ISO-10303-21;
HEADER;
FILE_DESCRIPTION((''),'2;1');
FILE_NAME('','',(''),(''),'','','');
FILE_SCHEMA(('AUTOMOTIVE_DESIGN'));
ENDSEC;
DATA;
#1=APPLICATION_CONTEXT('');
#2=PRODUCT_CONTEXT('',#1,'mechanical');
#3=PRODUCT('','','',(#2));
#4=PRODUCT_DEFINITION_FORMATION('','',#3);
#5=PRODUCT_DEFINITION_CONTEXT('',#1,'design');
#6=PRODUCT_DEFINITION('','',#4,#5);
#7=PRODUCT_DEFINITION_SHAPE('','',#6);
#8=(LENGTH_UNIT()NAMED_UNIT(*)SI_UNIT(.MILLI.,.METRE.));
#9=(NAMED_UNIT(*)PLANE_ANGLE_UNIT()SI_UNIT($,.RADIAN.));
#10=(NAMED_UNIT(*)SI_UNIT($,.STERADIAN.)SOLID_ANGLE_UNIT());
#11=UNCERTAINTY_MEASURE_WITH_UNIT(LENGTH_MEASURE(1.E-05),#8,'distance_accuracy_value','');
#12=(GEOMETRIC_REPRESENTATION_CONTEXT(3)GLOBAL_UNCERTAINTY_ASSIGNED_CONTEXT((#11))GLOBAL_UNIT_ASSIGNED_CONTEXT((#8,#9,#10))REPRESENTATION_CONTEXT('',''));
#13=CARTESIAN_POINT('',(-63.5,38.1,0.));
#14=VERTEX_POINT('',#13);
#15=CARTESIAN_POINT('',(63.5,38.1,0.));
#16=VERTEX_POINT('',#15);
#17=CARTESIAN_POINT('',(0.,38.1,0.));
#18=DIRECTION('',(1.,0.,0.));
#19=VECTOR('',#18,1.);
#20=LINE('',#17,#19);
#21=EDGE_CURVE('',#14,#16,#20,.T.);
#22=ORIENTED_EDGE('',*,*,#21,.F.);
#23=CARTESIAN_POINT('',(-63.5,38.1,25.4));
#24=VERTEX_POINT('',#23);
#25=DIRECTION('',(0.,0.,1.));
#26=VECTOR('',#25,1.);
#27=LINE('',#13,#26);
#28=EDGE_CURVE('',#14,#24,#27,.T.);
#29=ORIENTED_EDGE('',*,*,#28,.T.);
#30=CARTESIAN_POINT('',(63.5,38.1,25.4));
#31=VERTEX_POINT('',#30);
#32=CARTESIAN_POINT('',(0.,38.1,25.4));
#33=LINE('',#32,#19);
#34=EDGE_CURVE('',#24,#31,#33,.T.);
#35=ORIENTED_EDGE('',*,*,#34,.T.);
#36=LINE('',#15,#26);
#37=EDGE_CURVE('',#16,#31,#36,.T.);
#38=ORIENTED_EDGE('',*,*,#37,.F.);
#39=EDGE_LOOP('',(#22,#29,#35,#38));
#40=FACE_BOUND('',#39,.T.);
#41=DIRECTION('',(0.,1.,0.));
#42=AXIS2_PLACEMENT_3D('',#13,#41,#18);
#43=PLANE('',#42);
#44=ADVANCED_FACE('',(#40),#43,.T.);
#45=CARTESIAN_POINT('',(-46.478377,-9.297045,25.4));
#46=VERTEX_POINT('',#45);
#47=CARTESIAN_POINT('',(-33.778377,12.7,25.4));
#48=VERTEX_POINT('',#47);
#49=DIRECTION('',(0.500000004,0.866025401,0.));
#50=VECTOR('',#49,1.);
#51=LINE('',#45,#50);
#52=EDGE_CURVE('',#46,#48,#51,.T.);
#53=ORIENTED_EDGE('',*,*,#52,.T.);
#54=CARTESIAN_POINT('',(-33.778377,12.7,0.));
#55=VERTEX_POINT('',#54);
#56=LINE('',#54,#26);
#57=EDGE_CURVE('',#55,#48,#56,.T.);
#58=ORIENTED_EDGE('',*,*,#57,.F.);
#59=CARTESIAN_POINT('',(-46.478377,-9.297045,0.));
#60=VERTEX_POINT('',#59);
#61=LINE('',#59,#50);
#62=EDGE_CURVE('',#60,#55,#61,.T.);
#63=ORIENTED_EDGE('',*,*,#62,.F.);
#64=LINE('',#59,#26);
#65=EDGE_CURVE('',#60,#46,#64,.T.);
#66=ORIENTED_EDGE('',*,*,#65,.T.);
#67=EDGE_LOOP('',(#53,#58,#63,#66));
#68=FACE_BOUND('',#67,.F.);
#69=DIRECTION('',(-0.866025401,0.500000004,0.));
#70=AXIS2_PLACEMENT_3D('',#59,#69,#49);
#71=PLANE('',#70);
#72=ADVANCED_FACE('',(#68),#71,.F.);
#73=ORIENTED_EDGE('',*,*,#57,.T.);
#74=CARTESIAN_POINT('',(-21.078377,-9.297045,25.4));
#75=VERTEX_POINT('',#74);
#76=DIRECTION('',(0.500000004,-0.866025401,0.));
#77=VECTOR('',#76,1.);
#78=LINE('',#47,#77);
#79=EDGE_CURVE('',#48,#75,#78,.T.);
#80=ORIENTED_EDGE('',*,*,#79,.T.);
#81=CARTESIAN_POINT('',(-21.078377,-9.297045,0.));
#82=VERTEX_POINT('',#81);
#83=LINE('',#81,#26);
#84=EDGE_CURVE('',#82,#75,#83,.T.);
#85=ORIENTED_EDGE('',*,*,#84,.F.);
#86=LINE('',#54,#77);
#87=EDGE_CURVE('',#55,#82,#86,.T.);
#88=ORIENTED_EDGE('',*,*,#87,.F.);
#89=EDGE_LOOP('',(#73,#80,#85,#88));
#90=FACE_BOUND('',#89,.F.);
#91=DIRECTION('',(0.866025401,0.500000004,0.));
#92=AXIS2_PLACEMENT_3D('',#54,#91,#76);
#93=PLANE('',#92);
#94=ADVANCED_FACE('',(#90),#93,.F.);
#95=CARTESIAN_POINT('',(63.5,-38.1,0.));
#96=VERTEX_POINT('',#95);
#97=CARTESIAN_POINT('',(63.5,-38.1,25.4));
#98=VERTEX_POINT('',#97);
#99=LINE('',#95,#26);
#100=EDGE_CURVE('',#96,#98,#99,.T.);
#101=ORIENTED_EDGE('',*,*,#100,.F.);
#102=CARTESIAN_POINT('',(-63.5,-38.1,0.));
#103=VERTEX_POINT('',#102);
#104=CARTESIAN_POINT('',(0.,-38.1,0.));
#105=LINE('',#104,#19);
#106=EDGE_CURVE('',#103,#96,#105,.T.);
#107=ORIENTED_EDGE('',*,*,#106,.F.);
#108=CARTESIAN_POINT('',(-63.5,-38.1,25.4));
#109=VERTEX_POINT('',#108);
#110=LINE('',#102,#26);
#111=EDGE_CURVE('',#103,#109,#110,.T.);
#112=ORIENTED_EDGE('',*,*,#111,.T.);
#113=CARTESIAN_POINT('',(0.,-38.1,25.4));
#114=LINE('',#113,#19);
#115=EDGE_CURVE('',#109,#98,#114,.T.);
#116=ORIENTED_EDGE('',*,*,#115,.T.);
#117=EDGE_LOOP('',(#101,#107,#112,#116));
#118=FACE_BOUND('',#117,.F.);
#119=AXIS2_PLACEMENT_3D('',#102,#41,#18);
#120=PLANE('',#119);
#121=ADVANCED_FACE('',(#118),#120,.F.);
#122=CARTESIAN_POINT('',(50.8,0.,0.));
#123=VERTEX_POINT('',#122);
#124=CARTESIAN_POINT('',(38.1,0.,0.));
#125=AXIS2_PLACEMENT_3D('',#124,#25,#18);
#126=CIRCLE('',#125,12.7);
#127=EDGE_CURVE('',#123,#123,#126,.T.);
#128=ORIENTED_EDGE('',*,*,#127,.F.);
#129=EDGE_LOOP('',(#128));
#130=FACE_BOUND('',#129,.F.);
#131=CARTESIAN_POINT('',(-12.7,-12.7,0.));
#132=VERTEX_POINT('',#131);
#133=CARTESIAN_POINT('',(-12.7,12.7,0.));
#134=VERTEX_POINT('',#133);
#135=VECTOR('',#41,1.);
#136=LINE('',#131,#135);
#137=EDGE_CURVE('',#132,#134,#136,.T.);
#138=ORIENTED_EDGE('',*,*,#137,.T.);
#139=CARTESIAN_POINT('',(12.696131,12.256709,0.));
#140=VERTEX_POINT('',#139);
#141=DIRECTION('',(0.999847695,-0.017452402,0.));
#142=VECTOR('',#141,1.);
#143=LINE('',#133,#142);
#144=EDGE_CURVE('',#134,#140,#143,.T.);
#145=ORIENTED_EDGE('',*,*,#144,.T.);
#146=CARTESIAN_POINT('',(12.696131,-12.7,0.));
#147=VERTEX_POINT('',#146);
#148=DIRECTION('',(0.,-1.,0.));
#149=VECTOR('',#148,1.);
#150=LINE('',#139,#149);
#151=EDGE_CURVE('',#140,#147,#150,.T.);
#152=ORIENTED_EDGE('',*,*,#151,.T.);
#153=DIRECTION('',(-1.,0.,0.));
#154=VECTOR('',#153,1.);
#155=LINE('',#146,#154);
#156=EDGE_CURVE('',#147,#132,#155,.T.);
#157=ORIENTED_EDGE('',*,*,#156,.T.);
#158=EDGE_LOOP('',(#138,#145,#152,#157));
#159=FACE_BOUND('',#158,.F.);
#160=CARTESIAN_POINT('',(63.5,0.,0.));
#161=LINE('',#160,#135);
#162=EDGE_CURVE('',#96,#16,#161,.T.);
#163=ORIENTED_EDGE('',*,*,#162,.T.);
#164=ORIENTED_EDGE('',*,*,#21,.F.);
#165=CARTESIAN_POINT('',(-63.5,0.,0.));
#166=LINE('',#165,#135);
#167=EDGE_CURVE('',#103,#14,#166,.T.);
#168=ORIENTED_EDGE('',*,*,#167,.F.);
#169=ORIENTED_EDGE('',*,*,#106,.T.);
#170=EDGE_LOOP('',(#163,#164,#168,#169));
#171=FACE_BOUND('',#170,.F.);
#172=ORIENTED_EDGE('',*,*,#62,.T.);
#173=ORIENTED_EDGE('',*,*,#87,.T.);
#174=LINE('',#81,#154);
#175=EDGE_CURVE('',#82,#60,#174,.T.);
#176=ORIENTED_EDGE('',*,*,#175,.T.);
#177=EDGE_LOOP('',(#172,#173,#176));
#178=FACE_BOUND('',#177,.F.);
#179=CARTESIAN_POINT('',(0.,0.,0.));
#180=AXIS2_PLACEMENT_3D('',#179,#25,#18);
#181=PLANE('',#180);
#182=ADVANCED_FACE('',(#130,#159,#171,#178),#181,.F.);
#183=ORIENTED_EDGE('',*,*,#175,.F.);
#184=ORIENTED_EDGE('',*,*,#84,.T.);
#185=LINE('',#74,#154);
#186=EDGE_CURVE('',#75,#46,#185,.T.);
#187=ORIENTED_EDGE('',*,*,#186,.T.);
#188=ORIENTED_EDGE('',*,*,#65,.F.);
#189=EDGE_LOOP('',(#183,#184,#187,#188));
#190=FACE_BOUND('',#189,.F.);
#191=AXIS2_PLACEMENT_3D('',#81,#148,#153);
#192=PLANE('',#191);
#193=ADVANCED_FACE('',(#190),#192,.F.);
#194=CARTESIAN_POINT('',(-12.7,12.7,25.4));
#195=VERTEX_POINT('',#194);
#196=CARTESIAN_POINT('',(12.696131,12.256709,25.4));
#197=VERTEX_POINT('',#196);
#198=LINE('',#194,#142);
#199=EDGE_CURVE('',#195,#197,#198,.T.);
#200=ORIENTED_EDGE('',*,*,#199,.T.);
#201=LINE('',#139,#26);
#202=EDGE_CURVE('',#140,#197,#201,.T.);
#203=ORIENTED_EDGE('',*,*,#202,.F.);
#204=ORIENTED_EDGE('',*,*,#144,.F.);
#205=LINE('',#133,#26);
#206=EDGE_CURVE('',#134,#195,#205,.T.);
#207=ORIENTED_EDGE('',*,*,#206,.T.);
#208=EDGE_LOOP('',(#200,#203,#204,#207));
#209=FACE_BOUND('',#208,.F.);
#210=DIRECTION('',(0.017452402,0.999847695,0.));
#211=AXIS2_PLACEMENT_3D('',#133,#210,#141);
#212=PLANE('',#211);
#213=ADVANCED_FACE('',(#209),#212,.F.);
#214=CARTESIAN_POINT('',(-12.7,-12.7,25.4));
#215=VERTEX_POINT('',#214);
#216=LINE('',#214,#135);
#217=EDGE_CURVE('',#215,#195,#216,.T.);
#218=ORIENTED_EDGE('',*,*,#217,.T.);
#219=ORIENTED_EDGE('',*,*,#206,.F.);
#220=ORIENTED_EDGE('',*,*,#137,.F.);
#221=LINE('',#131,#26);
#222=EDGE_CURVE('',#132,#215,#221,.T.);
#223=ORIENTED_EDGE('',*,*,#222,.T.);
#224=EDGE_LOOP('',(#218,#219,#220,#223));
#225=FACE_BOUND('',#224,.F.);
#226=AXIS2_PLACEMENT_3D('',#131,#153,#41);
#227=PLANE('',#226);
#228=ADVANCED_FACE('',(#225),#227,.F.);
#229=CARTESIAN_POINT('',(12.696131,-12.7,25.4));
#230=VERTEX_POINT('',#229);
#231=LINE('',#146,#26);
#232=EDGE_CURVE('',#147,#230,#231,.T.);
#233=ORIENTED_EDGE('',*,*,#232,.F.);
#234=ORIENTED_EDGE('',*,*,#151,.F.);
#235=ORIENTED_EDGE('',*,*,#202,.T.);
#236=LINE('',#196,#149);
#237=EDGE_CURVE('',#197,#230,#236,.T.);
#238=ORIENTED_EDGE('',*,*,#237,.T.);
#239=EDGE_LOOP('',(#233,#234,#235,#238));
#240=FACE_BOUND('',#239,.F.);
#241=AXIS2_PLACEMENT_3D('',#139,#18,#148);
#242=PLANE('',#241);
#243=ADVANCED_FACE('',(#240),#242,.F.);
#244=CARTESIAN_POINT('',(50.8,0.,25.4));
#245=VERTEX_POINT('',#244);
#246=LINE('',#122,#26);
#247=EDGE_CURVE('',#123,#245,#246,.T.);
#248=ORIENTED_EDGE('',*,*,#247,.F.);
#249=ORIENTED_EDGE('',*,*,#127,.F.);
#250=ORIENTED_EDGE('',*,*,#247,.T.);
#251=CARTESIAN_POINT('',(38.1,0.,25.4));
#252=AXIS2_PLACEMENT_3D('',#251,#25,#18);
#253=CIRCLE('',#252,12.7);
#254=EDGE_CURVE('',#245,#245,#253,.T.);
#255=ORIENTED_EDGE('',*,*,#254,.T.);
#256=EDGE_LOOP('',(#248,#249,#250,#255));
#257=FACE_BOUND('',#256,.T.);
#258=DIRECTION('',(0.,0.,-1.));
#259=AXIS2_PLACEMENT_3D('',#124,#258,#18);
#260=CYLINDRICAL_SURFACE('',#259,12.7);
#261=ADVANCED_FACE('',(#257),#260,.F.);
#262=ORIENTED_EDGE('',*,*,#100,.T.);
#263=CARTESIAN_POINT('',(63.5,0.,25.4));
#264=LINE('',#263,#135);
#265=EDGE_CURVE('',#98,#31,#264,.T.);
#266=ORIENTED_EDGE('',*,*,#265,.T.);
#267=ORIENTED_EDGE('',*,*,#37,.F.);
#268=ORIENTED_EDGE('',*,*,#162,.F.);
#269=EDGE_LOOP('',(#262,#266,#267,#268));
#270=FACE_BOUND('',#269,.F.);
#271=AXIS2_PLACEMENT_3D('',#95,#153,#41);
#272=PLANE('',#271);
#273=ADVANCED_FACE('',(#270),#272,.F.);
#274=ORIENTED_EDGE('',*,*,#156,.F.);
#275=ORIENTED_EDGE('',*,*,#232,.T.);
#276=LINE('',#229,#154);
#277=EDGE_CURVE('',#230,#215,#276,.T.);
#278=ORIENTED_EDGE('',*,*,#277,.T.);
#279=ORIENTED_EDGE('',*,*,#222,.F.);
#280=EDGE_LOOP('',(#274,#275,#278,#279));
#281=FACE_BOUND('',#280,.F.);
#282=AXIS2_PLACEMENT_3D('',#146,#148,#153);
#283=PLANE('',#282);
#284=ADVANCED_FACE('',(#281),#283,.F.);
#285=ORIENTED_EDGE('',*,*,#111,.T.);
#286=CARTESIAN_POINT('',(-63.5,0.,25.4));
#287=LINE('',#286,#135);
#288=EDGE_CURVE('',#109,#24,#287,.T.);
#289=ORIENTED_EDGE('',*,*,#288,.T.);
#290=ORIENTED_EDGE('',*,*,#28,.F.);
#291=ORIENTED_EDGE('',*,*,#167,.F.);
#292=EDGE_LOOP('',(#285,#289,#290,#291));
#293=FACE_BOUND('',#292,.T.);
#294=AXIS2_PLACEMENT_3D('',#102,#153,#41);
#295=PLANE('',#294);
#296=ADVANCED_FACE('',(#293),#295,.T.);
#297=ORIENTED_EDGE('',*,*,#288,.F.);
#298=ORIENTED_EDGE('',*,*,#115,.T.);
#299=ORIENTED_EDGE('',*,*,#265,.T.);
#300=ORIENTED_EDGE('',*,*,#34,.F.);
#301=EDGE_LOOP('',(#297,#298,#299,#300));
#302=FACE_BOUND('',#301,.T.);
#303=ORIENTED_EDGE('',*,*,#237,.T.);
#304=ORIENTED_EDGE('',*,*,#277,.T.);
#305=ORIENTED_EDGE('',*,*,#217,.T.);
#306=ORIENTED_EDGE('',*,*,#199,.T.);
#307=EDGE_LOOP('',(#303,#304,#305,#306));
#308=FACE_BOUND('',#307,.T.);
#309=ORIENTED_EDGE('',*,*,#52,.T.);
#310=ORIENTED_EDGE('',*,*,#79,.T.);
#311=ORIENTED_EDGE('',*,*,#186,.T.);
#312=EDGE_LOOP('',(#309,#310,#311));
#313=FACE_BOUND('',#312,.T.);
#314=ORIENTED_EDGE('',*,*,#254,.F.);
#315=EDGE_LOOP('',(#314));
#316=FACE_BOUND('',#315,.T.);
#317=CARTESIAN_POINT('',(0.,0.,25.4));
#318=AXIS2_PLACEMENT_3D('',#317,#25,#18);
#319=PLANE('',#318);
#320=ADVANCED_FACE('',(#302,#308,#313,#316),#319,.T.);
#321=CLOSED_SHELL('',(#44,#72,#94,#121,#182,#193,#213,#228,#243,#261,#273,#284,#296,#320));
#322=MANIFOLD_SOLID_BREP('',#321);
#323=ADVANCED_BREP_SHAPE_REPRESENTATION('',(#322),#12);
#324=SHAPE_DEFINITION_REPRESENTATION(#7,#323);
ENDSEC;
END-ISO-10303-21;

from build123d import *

# Parameters (mm, degrees)
F0_W     = 127
F0_H     = 76.2
F0_R     = 12.7
F1_DEPTH = 25.4


with BuildPart() as f1:
    # F0 (on Top) → F1 (new body)
    with BuildSketch(Plane.XY):
        Rectangle(F0_W, F0_H)
        Polygon((-46.478377, -9.297045), (-33.778377, 12.7), (-21.078377, -9.297045), align=None, mode=Mode.SUBTRACT)
        Polygon((-12.7, -12.7), (-12.7, 12.7), (12.696131, 12.256709), (12.696131, -12.7), align=None, mode=Mode.SUBTRACT)
        with Locations((38.1, 0)):
            Circle(F0_R, mode=Mode.SUBTRACT)
    extrude(amount=F1_DEPTH)


solid = f1.part
